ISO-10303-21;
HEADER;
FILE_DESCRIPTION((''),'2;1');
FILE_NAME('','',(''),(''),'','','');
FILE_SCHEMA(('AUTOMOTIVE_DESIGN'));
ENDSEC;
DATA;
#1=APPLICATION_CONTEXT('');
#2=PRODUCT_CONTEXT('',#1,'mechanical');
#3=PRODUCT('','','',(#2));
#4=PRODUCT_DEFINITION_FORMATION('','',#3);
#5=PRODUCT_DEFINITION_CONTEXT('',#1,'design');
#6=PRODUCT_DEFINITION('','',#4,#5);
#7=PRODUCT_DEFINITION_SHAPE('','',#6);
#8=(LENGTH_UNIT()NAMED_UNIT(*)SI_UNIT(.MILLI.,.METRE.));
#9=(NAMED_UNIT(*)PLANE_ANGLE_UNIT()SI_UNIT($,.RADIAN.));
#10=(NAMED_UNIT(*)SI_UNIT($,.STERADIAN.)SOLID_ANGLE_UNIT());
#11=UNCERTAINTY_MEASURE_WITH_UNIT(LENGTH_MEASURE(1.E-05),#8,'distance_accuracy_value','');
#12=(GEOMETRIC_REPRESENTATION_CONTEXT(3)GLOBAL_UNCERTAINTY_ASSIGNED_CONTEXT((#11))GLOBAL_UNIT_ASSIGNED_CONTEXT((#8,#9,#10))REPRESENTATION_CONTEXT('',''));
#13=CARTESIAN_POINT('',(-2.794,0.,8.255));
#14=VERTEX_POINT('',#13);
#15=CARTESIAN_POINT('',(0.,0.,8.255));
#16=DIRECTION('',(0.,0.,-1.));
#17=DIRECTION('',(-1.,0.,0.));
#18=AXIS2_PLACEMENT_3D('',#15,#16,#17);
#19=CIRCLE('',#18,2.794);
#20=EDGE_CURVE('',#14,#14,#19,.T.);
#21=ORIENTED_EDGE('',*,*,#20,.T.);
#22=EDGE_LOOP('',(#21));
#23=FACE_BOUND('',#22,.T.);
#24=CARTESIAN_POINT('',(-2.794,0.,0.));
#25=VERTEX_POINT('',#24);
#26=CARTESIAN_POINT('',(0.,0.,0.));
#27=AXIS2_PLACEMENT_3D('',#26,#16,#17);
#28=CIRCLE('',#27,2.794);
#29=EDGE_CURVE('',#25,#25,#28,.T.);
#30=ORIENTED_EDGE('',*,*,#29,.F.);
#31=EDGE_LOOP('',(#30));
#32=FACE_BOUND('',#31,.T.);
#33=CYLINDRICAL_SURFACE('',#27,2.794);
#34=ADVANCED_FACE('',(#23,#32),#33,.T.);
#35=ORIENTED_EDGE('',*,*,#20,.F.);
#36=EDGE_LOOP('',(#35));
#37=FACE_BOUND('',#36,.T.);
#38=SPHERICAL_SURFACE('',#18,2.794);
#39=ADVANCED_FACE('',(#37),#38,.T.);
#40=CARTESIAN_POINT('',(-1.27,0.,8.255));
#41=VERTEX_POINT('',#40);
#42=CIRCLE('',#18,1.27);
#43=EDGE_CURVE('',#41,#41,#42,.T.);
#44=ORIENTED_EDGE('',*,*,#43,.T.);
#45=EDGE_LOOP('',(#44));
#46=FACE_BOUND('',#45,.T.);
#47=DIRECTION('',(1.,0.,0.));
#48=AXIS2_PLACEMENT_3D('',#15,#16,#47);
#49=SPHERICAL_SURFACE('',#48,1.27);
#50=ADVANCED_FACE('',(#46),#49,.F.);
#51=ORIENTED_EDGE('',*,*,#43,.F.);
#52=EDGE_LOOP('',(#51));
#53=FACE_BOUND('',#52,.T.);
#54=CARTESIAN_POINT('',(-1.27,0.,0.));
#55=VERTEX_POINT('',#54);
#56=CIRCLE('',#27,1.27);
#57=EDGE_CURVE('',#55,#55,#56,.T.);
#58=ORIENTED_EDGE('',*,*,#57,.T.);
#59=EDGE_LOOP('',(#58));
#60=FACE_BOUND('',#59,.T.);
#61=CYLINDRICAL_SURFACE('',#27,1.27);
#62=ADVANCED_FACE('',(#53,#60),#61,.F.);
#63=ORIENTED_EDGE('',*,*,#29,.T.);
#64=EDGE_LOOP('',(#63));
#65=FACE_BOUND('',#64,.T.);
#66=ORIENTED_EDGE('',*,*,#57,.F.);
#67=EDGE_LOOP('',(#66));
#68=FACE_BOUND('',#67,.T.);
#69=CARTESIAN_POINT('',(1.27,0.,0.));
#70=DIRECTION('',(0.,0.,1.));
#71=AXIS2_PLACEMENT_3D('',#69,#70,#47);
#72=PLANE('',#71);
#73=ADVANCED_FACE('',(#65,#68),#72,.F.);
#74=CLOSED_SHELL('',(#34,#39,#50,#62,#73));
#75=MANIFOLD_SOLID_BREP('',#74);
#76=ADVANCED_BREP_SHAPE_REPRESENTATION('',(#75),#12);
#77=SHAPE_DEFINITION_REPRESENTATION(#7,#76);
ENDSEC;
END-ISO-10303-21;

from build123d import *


with BuildPart() as part:
    # Sketch1 → Revolve2 (revolve)
    with BuildSketch(Plane(origin=(0, 0, 0), x_dir=(1, 0, 0), z_dir=(0, 1, 0))):
        with BuildLine():
            Line((1.27, 0), (1.27, -8.255))
            ThreePointArc((1.27, -8.255), (0.898025612, -9.153025612), (0, -9.525))
            Line((0, -9.525), (0, -11.049))
            ThreePointArc((0, -11.049), (1.975656347, -10.230656347), (2.794, -8.255))
            Line((2.794, -8.255), (2.794, 0))
            Line((2.794, 0), (1.27, 0))
        make_face()
    revolve(axis=Axis((0, 0, 0), (0, 0, 1)))


solid = part.part
